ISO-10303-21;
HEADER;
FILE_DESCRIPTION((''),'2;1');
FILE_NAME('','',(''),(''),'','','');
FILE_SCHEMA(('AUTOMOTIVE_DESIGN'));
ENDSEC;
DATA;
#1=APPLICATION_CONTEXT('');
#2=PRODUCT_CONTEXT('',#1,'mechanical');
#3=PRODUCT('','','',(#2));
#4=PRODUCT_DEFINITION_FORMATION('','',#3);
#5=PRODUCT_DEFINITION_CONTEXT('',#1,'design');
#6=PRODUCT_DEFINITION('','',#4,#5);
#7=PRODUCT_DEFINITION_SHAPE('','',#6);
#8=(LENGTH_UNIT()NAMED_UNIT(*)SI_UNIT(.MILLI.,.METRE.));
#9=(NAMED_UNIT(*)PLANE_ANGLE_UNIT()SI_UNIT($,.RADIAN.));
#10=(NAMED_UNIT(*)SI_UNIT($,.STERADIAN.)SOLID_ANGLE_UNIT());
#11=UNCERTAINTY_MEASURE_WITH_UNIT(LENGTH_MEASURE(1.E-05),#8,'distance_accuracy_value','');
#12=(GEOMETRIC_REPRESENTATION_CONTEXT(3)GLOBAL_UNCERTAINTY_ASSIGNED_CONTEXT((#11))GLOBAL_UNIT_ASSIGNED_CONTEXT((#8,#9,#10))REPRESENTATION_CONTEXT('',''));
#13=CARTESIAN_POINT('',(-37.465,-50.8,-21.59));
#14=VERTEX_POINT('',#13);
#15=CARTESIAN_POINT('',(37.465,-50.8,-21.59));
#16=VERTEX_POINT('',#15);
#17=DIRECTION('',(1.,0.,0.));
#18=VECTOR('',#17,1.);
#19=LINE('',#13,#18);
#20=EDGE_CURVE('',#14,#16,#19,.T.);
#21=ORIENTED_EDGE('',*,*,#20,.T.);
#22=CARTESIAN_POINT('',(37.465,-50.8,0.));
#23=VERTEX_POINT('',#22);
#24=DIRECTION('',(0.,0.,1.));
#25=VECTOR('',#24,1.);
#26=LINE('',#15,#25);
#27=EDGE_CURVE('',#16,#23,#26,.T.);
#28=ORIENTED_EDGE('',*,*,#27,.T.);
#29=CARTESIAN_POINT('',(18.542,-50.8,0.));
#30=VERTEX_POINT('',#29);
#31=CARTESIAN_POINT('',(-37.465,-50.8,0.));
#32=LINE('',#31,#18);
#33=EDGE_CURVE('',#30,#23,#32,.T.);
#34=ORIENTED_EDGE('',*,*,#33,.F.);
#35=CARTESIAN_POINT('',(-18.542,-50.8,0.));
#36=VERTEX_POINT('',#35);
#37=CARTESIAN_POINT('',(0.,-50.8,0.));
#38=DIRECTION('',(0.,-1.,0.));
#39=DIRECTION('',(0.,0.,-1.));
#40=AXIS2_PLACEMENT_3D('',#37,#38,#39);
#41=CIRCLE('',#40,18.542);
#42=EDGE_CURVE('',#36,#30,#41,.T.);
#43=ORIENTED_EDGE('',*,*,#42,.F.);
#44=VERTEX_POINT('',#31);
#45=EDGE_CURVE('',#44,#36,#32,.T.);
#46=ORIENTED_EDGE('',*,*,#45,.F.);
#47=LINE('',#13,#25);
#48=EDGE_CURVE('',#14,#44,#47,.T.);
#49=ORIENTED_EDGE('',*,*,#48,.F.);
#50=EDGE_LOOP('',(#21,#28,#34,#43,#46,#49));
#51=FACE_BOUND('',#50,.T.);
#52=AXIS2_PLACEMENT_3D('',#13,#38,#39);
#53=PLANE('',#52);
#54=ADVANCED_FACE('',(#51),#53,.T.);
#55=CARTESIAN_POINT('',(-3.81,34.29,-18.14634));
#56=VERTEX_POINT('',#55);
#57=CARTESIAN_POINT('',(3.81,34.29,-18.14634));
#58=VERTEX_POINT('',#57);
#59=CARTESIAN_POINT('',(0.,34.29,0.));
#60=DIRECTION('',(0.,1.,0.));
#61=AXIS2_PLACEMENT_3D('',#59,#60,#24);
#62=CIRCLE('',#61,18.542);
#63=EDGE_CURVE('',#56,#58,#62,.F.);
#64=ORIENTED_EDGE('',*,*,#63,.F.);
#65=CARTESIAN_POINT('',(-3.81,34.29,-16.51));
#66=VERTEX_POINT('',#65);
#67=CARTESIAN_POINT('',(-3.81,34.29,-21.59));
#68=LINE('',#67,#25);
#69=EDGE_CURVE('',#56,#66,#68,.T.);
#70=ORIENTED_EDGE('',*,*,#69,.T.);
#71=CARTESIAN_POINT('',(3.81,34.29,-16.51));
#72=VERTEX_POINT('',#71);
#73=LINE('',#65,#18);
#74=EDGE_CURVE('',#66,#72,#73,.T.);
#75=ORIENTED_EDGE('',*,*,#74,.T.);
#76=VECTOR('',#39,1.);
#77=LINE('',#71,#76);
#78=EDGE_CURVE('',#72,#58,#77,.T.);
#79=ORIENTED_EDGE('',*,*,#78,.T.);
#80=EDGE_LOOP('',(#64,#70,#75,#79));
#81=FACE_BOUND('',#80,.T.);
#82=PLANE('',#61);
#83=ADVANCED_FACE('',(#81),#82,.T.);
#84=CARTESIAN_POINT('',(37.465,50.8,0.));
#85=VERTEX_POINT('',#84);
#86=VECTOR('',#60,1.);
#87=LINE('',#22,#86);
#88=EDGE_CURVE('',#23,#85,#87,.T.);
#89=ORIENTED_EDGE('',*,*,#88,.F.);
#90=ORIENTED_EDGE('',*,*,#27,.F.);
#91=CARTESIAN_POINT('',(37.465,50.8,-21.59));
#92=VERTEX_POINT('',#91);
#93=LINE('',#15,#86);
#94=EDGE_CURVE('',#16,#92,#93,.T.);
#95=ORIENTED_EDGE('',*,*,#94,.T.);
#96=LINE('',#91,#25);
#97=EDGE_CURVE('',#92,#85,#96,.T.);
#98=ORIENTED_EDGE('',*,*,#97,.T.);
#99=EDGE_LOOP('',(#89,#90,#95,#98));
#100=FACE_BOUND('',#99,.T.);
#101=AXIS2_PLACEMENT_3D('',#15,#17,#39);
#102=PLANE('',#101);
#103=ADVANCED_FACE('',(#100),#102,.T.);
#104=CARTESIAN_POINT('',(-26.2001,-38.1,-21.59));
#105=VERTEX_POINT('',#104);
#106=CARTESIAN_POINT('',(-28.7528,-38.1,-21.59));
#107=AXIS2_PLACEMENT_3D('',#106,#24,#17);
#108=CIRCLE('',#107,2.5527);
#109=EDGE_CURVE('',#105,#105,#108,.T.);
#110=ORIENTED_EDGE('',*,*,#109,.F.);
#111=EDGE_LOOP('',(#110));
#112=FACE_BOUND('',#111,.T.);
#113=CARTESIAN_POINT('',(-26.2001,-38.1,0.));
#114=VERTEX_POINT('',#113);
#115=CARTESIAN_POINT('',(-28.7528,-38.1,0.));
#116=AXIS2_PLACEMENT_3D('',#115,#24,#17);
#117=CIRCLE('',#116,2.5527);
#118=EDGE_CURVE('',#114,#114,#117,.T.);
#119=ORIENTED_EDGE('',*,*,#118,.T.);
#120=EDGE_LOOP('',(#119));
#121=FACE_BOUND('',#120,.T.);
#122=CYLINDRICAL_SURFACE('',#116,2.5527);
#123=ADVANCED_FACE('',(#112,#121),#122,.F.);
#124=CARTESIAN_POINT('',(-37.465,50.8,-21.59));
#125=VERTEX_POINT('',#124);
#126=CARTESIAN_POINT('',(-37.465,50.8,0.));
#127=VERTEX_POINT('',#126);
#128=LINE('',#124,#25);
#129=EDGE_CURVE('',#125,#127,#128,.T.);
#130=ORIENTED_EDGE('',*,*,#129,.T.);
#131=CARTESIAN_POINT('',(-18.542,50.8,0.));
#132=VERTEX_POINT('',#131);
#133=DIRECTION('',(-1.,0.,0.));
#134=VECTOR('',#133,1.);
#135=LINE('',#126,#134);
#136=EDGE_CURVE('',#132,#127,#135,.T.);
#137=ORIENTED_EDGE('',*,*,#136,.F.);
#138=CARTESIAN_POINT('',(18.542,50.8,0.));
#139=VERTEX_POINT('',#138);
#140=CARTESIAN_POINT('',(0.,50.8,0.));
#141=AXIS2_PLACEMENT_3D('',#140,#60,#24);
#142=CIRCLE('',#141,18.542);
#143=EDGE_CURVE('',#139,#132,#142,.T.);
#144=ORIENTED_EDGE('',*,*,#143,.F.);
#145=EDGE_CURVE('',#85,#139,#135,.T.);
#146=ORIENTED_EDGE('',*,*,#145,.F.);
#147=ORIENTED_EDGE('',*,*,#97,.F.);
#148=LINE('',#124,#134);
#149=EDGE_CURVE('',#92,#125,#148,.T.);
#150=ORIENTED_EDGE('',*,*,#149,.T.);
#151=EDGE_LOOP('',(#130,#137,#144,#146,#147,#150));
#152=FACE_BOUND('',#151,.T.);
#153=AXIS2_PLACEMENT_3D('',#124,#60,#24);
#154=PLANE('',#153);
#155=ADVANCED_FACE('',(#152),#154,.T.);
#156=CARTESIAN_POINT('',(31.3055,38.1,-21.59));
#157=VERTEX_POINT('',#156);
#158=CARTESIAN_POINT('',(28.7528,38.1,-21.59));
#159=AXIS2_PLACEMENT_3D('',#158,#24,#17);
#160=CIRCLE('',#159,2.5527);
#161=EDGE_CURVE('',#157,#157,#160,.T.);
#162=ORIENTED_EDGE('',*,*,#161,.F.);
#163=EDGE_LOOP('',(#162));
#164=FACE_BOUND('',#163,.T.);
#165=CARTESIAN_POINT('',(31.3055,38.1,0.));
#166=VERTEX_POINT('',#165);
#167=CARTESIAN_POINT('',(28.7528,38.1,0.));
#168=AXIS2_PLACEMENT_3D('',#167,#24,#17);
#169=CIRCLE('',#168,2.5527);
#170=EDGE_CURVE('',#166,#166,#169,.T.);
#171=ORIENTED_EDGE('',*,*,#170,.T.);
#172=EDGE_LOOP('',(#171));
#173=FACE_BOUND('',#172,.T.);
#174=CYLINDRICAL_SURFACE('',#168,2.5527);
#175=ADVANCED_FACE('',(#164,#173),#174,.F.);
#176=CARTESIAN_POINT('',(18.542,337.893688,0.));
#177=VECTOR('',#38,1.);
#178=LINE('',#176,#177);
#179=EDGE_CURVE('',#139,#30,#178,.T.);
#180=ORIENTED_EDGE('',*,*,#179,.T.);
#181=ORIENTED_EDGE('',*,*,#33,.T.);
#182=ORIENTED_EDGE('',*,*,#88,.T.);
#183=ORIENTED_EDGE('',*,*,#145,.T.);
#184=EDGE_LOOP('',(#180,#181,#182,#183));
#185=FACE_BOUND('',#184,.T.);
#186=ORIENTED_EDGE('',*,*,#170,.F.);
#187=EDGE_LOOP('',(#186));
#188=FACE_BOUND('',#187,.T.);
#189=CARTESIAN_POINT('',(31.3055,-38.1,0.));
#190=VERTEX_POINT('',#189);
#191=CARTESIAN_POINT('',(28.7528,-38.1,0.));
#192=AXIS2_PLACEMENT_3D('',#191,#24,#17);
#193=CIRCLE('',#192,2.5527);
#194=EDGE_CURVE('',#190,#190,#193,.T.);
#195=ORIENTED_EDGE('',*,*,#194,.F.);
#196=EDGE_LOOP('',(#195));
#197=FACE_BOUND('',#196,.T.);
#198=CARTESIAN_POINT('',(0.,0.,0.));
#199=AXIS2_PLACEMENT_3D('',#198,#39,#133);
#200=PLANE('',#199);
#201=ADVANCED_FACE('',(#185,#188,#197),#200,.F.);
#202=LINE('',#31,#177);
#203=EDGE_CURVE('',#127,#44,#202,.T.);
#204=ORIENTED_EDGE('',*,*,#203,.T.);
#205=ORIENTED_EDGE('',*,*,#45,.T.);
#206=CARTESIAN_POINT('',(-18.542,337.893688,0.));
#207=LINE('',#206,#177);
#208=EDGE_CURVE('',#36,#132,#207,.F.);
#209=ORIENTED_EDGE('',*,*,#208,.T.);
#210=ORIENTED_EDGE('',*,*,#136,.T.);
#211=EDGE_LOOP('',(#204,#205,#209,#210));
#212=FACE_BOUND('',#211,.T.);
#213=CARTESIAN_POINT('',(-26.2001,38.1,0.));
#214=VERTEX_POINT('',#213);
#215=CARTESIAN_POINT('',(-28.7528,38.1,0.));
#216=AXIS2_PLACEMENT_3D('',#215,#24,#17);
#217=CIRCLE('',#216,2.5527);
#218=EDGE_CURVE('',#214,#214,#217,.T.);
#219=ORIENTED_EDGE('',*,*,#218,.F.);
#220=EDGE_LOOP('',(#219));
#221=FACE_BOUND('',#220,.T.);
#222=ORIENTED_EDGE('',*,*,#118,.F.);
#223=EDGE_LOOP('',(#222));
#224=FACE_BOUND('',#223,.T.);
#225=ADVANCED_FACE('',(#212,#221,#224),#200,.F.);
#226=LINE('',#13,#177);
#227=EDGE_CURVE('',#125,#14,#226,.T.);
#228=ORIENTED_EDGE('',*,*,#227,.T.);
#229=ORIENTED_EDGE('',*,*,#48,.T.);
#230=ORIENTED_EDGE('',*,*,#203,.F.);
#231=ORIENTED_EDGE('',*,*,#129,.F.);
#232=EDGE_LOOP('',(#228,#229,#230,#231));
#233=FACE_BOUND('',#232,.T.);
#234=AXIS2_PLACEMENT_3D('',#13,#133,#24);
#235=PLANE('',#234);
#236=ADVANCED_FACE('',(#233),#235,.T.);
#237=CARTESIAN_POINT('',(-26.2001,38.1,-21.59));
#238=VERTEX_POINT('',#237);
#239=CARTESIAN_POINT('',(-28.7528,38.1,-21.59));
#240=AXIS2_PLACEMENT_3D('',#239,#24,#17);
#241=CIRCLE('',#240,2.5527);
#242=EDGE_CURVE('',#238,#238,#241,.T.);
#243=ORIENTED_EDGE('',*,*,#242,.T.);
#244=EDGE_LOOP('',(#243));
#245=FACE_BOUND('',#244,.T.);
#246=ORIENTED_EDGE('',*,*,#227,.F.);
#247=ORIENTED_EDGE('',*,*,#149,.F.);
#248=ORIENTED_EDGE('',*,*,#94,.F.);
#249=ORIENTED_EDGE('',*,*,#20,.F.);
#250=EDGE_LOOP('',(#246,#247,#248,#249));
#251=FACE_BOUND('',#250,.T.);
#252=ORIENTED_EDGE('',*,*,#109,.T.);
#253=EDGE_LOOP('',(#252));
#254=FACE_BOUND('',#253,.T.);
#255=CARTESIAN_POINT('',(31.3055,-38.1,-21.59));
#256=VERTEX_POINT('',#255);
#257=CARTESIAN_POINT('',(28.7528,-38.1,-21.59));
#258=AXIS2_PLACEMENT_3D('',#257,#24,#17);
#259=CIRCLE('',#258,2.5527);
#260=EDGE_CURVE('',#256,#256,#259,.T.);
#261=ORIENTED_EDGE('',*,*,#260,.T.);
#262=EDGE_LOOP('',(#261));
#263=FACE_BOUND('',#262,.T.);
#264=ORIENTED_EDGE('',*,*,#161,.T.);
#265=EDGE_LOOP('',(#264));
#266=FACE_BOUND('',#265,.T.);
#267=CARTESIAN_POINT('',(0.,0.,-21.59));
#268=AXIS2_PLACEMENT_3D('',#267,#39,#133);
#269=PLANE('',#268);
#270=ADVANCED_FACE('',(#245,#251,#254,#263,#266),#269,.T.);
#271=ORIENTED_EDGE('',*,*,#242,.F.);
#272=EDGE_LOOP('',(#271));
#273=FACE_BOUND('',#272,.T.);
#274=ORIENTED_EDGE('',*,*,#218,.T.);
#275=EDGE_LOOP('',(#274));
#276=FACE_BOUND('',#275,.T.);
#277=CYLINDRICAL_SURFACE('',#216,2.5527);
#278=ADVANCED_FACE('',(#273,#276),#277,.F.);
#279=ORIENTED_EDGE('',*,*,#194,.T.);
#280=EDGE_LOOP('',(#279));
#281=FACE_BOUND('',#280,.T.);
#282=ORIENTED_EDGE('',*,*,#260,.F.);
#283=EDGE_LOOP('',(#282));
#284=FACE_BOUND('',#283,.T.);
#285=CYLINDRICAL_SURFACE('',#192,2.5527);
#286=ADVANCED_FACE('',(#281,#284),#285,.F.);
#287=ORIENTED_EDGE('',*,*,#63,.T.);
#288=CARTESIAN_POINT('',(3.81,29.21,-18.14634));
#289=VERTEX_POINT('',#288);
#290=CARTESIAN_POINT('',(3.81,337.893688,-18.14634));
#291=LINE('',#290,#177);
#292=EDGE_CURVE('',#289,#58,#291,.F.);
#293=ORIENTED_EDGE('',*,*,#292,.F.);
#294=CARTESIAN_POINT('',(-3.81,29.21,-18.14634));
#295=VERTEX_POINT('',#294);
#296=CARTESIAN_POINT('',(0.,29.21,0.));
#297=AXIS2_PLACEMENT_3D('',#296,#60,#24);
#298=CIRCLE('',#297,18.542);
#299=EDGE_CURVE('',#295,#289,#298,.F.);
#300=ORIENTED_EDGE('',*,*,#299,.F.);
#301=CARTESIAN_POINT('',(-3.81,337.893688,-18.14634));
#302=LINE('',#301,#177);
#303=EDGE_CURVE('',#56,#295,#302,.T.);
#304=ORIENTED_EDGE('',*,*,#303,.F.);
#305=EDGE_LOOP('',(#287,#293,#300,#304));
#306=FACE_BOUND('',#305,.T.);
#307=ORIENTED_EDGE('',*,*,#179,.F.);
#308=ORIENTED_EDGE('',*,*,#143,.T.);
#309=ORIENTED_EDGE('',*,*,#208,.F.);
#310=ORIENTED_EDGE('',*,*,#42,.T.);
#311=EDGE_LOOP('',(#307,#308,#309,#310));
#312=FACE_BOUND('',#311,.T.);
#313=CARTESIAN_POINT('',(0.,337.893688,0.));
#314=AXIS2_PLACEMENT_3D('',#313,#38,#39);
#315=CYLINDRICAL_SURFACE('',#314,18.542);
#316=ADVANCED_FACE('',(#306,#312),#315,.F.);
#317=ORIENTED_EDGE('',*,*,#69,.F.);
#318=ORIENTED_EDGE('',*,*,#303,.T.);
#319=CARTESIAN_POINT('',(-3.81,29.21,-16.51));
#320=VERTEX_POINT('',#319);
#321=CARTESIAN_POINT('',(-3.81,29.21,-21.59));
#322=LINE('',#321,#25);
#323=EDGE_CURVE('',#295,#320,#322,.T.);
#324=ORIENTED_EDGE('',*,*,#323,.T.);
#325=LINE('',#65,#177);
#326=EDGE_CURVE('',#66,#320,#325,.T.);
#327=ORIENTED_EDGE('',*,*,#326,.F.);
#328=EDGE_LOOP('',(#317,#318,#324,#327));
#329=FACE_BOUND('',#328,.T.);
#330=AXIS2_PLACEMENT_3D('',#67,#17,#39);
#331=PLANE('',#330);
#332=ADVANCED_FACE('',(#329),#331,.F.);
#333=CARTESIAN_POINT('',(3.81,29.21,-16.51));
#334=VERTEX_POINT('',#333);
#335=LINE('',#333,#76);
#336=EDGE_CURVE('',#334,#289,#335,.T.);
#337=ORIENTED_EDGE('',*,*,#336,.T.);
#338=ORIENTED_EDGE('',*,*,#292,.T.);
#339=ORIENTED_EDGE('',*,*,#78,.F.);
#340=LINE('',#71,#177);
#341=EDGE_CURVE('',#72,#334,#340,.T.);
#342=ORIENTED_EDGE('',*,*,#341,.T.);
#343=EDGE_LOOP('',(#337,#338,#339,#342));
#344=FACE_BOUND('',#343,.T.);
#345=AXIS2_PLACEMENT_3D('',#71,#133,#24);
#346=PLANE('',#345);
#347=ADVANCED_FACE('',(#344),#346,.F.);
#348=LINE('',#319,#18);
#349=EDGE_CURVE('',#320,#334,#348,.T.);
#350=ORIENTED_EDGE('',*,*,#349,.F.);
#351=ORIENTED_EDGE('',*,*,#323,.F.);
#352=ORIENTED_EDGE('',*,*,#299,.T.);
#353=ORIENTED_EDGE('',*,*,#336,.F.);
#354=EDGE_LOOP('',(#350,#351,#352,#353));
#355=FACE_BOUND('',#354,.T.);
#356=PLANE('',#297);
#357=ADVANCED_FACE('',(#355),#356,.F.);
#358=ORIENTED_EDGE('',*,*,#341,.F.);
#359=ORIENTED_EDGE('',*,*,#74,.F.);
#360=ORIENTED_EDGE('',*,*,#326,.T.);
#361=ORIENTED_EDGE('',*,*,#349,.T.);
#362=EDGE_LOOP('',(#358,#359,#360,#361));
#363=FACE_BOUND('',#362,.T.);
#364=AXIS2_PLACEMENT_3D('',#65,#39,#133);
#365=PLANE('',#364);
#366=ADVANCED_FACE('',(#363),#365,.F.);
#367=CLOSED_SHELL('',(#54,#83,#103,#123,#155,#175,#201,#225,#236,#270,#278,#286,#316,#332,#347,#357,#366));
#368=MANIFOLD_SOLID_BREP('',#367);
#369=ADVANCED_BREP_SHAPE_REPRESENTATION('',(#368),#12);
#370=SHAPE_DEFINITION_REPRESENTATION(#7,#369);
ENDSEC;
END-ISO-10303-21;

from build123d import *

# Parameters (mm, degrees)
SKETCH1_W                   = 74.93
SKETCH1_H                   = 101.6
BOSS_EXTRUDE2_DEPTH         = 21.59
CUT_EXTRUDE2_DEPTH          = 111.418813275
CUT_EXTRUDE2_DEPTH_BACK     = 111.418813275
SKETCH4_W                   = 7.62
SKETCH4_H                   = 5.08
BOSS_EXTRUDE3_DEPTH         = 2.54
TAP_DRILL_FOR_1_4_20_TAP1_D = 5.1054


with BuildPart() as part:
    # Sketch1 → Boss-Extrude2 (new body)
    with BuildSketch(Plane.XY):
        Rectangle(SKETCH1_W, SKETCH1_H)
    extrude(amount=-BOSS_EXTRUDE2_DEPTH)

    # Sketch2 → Cut-Extrude2 (cut, two sides: drawn at the far end of the back side and taken through both)
    with BuildSketch(Plane(origin=(0, 50.8, 0), x_dir=(1, 0, 0), z_dir=(0, 1, 0)).offset(-CUT_EXTRUDE2_DEPTH_BACK)):
        with BuildLine():
            Line((-18.542, -130.048526005), (-18.542, 0))
            ThreePointArc((-18.542, 0), (0, 18.542), (18.542, 0))
            Line((18.542, 0), (18.542, -130.048526005))
            Line((18.542, -130.048526005), (18.542, -390.145578015))
            Line((18.542, -390.145578015), (-18.542, -390.145578015))
            Line((-18.542, -390.145578015), (-18.542, -130.048526005))
        make_face()
    extrude(amount=CUT_EXTRUDE2_DEPTH + CUT_EXTRUDE2_DEPTH_BACK, mode=Mode.SUBTRACT)

    # Sketch4 → Boss-Extrude3 (add, symmetric)
    with BuildSketch(Plane(origin=(0, 31.75, 0), x_dir=(1, 0, 0), z_dir=(0, 1, 0))):
        with Locations((0, 19.05)):
            Rectangle(SKETCH4_W, SKETCH4_H)
    extrude(amount=BOSS_EXTRUDE3_DEPTH, both=True)

    # Tap Drill for 1/4-20 Tap1 (through all)
    with Locations(Plane.XY):
        with Locations((-28.7528, 38.1), (28.7528, 38.1), (-28.7528, -38.1), (28.7528, -38.1)):
            Hole(TAP_DRILL_FOR_1_4_20_TAP1_D / 2)


solid = part.part
